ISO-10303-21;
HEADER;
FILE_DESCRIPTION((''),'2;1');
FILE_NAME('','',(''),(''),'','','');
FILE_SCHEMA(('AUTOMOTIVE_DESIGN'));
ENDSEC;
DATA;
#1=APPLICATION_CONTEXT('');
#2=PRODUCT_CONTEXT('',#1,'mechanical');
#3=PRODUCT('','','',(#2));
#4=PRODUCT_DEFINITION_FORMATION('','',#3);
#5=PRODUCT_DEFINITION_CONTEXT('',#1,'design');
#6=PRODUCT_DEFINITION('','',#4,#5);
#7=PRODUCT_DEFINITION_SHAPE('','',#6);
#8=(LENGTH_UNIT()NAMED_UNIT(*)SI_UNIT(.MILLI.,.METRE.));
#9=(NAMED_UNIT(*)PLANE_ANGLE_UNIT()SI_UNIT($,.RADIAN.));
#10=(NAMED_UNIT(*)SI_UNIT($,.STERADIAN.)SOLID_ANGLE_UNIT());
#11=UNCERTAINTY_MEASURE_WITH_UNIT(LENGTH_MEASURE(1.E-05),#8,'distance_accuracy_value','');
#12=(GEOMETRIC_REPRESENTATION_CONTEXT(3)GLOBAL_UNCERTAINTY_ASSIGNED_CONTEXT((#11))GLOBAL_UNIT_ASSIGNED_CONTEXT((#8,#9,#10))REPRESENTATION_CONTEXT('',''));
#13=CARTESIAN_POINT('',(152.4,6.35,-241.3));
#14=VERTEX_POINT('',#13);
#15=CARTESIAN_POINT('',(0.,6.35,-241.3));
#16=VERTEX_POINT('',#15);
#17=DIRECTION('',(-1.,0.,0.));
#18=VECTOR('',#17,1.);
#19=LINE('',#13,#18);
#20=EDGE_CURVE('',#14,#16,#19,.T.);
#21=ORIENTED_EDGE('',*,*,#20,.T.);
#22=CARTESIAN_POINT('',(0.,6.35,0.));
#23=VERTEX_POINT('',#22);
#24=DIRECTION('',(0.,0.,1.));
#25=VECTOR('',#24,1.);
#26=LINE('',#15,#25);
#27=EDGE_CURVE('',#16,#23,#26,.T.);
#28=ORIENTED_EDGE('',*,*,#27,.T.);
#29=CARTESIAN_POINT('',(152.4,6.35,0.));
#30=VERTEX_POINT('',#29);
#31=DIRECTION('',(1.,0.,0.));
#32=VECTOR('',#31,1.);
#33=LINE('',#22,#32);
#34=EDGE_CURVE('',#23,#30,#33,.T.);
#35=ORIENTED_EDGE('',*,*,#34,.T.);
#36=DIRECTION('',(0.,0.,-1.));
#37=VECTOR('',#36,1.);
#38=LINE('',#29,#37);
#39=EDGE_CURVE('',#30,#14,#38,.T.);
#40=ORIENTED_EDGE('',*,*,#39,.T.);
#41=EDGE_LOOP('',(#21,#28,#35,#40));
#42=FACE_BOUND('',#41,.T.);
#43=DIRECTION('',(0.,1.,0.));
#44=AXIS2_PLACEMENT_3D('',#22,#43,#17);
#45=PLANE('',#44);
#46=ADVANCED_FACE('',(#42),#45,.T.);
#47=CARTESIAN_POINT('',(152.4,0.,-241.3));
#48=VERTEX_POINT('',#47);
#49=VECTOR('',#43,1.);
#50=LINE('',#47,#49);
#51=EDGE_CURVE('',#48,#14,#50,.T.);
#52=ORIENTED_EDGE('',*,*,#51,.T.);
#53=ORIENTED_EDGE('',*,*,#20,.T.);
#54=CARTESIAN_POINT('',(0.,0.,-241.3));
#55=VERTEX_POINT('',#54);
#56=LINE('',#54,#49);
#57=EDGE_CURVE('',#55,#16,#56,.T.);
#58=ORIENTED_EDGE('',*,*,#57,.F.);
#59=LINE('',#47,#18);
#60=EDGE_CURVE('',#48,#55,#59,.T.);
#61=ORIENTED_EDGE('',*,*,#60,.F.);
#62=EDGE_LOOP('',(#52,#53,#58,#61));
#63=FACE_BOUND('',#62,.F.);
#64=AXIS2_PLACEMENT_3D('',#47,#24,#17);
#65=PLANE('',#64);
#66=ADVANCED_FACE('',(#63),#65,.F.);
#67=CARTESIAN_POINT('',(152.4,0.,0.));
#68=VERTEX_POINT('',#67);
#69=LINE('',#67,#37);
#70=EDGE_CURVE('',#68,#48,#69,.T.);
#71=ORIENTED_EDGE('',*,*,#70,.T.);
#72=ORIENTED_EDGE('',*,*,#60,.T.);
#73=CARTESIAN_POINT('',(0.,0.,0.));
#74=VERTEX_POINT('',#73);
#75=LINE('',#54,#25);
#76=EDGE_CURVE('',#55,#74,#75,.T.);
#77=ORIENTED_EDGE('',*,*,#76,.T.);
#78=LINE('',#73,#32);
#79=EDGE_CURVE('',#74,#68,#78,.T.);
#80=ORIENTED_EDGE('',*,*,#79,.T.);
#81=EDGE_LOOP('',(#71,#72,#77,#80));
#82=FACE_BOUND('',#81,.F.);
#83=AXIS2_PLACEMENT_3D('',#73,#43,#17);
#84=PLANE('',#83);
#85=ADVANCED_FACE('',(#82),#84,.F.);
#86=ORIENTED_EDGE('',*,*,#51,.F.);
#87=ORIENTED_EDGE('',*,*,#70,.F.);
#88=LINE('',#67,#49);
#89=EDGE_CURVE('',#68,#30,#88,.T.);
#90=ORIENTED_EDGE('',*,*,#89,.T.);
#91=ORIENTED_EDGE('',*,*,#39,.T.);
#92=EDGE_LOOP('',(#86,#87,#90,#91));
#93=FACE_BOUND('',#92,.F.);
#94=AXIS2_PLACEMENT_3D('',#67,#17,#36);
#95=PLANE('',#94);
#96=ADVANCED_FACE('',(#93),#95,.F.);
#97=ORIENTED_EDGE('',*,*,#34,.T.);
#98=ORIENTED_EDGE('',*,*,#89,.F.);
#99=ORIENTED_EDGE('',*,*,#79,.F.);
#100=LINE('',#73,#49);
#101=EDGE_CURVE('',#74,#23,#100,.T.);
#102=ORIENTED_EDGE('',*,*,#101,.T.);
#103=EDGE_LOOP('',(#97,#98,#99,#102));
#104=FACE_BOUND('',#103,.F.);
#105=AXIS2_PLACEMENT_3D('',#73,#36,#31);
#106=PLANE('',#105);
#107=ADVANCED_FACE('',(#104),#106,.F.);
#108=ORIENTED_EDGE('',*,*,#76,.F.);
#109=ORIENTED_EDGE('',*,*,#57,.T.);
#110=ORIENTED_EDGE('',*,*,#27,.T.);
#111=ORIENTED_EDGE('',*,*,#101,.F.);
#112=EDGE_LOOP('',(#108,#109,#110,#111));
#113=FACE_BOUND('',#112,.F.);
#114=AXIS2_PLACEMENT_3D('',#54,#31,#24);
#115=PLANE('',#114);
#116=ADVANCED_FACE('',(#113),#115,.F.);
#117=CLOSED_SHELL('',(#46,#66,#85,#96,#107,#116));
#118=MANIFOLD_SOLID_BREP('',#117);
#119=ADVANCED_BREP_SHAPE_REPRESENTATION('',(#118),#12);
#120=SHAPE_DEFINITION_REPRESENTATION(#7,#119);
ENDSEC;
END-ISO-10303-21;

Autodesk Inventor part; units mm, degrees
ref_plane "YZ Plane" through (0, 0, 0) normal (1, 0, 0) x (0, 1, 0)
ref_plane "XZ Plane" through (0, 0, 0) normal (0, 1, 0) x (-1, 0, 0)
ref_plane "XY Plane" through (0, 0, 0) normal (0, 0, 1) x (1, 0, 0)
sketch "Sketch1" plane through (0, 0, 0) normal (0, 1, 0) x (-1, 0, 0)
  line L0 (0, 0) -> (-152.4, 0)
  line L1 (-152.4, 0) -> (-152.4, -241.3)
  line L2 (-152.4, -241.3) -> (0, -241.3)
  line L3 (0, -241.3) -> (0, 0)
  dimension "d0" = 152.4
  dimension "d1" = 241.3
extrude "Extrusion1" add sketch "Sketch1" along normal blind 6.35
properties part number "ModBoard"
